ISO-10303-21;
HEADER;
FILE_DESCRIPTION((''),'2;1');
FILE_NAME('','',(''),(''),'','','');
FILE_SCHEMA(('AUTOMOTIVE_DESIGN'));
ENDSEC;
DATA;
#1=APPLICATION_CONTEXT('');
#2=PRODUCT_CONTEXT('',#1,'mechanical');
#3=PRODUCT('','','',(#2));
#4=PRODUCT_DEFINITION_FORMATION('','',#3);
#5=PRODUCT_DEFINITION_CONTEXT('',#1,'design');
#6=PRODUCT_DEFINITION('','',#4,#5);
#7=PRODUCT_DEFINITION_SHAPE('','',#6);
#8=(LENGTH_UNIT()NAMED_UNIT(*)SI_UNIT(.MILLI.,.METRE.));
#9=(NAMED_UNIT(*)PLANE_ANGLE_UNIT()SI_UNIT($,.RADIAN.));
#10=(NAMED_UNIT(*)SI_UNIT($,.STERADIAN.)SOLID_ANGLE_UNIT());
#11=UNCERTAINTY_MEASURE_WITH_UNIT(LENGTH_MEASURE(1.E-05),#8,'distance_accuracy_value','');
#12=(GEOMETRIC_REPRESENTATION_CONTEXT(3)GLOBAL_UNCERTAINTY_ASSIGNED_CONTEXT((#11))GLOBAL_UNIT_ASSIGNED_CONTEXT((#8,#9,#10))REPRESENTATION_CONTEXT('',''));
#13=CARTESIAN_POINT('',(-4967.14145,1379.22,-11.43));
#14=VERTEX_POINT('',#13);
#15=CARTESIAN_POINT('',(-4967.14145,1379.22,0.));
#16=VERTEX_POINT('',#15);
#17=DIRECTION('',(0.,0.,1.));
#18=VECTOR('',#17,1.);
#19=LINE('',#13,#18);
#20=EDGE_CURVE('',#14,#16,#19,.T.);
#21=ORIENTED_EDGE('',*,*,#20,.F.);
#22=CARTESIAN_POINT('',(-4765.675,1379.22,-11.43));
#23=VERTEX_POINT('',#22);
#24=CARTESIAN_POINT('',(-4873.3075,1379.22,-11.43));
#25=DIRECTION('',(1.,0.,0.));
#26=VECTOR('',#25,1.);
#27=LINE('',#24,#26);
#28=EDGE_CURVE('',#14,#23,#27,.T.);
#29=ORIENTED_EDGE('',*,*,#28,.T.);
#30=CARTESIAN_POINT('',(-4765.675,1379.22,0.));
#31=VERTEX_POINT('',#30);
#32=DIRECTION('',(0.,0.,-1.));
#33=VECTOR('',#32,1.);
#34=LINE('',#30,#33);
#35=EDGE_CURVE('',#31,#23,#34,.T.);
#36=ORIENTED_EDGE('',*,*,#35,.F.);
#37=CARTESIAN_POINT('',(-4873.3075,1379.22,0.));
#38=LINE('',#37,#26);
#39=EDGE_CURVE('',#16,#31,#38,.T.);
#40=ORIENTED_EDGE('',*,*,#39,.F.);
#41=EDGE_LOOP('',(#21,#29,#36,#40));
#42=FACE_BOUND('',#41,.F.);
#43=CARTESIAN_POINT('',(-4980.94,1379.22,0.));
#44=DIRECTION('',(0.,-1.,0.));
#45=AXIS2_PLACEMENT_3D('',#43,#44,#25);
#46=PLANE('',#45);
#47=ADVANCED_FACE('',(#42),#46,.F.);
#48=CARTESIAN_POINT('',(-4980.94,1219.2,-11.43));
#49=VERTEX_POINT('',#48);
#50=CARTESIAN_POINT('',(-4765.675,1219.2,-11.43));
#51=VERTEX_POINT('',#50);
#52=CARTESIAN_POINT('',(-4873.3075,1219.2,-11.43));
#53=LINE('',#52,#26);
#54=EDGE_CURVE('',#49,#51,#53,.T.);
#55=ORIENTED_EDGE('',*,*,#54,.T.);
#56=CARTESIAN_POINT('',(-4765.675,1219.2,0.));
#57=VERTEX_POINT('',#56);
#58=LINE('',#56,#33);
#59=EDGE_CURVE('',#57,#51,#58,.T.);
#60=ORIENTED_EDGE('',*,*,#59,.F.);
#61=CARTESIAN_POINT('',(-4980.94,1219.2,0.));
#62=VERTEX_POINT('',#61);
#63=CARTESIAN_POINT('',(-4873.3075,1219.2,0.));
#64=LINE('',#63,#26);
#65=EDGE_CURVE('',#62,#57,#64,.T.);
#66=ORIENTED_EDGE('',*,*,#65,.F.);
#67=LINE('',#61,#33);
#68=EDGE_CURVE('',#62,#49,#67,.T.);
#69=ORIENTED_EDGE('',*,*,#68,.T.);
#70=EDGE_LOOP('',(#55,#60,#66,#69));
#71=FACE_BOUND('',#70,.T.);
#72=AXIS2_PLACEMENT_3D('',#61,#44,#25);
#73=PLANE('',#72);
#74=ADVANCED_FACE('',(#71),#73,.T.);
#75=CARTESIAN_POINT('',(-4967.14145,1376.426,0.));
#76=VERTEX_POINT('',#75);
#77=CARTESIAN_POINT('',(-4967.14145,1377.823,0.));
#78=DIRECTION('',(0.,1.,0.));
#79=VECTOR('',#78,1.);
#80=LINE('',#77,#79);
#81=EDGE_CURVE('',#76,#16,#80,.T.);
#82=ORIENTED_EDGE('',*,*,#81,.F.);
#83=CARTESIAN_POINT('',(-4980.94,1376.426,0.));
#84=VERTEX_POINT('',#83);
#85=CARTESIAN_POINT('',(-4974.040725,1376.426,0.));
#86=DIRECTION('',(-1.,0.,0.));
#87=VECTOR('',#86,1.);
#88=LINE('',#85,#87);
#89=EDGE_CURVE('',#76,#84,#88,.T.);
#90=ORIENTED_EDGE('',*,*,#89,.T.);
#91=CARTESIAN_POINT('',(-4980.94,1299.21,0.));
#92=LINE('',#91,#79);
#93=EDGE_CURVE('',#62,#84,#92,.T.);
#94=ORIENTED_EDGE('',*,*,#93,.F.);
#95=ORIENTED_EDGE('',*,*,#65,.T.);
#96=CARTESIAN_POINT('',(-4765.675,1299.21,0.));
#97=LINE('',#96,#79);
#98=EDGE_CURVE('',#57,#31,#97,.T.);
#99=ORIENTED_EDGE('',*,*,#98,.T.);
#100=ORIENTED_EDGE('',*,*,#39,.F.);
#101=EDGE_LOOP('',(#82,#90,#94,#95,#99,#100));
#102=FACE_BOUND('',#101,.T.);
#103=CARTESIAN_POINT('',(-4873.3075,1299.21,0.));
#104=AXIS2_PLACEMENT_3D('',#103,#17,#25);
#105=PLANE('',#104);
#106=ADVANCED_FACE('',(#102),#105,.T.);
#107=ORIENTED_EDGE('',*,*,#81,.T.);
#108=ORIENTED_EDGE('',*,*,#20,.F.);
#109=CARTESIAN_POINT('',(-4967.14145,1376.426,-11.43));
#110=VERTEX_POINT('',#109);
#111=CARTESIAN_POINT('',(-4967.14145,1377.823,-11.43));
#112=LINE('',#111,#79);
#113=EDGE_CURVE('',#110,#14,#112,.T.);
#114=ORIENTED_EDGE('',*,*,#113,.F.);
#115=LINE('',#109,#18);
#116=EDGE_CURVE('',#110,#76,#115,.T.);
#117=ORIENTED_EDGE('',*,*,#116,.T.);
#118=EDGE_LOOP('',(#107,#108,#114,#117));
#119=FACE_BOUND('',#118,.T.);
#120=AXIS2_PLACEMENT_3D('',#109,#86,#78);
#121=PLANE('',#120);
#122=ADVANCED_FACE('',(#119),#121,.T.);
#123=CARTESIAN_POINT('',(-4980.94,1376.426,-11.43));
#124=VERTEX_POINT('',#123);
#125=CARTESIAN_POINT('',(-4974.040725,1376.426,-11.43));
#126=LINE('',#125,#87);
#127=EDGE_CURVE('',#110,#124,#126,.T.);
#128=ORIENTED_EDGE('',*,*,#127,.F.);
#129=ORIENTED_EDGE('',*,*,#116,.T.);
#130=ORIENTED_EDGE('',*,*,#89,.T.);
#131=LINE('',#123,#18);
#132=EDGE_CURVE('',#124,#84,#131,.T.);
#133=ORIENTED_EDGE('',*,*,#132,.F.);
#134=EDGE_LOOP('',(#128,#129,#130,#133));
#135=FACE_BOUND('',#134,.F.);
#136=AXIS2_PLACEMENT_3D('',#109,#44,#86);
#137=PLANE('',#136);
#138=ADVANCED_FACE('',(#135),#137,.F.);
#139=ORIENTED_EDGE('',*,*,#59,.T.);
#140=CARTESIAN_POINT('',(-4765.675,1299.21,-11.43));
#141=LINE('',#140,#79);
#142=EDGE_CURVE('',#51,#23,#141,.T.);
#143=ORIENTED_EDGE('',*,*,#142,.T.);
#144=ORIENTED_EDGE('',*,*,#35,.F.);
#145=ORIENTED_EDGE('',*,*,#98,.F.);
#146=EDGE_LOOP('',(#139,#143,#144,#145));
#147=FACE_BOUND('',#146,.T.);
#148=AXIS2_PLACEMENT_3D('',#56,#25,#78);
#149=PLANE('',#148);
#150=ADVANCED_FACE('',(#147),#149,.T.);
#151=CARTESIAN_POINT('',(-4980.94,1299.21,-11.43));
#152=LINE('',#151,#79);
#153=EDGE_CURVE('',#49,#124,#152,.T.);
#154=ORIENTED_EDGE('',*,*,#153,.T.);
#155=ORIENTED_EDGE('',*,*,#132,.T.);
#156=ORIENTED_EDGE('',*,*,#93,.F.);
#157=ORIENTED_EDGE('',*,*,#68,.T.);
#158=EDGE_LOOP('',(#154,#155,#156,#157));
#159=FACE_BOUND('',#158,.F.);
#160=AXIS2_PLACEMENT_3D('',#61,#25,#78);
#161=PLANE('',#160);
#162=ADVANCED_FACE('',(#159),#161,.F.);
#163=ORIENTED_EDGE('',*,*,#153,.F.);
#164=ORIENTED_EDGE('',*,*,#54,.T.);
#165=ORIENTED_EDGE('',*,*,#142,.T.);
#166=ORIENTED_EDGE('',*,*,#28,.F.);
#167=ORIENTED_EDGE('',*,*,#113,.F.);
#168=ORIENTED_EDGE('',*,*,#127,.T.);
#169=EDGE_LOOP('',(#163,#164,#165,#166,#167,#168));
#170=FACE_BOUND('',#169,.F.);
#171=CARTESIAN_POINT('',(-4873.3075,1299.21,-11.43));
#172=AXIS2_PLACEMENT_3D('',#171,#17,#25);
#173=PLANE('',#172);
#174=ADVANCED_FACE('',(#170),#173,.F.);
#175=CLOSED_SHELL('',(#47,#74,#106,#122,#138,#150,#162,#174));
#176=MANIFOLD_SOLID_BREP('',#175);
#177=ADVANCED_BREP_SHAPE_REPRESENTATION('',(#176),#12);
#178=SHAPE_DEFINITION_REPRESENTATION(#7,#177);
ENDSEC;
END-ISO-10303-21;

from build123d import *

# Parameters (mm, degrees)
SIDEOUTLINE_W               = 215.265
SIDEOUTLINE_H               = 160.02
SIDEOUTLINE_THICKNESS_DEPTH = 11.43
SKETCH2_W                   = 13.79855
SKETCH2_H                   = 2.794
CUT_EXTRUDE1_DEPTH          = 11.43


with BuildPart() as part:
    # SideOutline → SideOutline_Thickness (new body)
    with BuildSketch(Plane.XY):
        with Locations((-4873.3075, 1299.21)):
            Rectangle(SIDEOUTLINE_W, SIDEOUTLINE_H)
    extrude(amount=-SIDEOUTLINE_THICKNESS_DEPTH)

    # Sketch2 → Cut-Extrude1 (cut)
    with BuildSketch(Plane(origin=(0, 0, -11.43), x_dir=(-1, 0, 0), z_dir=(0, 0, -1))):
        with Locations((4974.040725, 1377.823)):
            Rectangle(SKETCH2_W, SKETCH2_H)
    extrude(amount=-CUT_EXTRUDE1_DEPTH, mode=Mode.SUBTRACT)


solid = part.part
